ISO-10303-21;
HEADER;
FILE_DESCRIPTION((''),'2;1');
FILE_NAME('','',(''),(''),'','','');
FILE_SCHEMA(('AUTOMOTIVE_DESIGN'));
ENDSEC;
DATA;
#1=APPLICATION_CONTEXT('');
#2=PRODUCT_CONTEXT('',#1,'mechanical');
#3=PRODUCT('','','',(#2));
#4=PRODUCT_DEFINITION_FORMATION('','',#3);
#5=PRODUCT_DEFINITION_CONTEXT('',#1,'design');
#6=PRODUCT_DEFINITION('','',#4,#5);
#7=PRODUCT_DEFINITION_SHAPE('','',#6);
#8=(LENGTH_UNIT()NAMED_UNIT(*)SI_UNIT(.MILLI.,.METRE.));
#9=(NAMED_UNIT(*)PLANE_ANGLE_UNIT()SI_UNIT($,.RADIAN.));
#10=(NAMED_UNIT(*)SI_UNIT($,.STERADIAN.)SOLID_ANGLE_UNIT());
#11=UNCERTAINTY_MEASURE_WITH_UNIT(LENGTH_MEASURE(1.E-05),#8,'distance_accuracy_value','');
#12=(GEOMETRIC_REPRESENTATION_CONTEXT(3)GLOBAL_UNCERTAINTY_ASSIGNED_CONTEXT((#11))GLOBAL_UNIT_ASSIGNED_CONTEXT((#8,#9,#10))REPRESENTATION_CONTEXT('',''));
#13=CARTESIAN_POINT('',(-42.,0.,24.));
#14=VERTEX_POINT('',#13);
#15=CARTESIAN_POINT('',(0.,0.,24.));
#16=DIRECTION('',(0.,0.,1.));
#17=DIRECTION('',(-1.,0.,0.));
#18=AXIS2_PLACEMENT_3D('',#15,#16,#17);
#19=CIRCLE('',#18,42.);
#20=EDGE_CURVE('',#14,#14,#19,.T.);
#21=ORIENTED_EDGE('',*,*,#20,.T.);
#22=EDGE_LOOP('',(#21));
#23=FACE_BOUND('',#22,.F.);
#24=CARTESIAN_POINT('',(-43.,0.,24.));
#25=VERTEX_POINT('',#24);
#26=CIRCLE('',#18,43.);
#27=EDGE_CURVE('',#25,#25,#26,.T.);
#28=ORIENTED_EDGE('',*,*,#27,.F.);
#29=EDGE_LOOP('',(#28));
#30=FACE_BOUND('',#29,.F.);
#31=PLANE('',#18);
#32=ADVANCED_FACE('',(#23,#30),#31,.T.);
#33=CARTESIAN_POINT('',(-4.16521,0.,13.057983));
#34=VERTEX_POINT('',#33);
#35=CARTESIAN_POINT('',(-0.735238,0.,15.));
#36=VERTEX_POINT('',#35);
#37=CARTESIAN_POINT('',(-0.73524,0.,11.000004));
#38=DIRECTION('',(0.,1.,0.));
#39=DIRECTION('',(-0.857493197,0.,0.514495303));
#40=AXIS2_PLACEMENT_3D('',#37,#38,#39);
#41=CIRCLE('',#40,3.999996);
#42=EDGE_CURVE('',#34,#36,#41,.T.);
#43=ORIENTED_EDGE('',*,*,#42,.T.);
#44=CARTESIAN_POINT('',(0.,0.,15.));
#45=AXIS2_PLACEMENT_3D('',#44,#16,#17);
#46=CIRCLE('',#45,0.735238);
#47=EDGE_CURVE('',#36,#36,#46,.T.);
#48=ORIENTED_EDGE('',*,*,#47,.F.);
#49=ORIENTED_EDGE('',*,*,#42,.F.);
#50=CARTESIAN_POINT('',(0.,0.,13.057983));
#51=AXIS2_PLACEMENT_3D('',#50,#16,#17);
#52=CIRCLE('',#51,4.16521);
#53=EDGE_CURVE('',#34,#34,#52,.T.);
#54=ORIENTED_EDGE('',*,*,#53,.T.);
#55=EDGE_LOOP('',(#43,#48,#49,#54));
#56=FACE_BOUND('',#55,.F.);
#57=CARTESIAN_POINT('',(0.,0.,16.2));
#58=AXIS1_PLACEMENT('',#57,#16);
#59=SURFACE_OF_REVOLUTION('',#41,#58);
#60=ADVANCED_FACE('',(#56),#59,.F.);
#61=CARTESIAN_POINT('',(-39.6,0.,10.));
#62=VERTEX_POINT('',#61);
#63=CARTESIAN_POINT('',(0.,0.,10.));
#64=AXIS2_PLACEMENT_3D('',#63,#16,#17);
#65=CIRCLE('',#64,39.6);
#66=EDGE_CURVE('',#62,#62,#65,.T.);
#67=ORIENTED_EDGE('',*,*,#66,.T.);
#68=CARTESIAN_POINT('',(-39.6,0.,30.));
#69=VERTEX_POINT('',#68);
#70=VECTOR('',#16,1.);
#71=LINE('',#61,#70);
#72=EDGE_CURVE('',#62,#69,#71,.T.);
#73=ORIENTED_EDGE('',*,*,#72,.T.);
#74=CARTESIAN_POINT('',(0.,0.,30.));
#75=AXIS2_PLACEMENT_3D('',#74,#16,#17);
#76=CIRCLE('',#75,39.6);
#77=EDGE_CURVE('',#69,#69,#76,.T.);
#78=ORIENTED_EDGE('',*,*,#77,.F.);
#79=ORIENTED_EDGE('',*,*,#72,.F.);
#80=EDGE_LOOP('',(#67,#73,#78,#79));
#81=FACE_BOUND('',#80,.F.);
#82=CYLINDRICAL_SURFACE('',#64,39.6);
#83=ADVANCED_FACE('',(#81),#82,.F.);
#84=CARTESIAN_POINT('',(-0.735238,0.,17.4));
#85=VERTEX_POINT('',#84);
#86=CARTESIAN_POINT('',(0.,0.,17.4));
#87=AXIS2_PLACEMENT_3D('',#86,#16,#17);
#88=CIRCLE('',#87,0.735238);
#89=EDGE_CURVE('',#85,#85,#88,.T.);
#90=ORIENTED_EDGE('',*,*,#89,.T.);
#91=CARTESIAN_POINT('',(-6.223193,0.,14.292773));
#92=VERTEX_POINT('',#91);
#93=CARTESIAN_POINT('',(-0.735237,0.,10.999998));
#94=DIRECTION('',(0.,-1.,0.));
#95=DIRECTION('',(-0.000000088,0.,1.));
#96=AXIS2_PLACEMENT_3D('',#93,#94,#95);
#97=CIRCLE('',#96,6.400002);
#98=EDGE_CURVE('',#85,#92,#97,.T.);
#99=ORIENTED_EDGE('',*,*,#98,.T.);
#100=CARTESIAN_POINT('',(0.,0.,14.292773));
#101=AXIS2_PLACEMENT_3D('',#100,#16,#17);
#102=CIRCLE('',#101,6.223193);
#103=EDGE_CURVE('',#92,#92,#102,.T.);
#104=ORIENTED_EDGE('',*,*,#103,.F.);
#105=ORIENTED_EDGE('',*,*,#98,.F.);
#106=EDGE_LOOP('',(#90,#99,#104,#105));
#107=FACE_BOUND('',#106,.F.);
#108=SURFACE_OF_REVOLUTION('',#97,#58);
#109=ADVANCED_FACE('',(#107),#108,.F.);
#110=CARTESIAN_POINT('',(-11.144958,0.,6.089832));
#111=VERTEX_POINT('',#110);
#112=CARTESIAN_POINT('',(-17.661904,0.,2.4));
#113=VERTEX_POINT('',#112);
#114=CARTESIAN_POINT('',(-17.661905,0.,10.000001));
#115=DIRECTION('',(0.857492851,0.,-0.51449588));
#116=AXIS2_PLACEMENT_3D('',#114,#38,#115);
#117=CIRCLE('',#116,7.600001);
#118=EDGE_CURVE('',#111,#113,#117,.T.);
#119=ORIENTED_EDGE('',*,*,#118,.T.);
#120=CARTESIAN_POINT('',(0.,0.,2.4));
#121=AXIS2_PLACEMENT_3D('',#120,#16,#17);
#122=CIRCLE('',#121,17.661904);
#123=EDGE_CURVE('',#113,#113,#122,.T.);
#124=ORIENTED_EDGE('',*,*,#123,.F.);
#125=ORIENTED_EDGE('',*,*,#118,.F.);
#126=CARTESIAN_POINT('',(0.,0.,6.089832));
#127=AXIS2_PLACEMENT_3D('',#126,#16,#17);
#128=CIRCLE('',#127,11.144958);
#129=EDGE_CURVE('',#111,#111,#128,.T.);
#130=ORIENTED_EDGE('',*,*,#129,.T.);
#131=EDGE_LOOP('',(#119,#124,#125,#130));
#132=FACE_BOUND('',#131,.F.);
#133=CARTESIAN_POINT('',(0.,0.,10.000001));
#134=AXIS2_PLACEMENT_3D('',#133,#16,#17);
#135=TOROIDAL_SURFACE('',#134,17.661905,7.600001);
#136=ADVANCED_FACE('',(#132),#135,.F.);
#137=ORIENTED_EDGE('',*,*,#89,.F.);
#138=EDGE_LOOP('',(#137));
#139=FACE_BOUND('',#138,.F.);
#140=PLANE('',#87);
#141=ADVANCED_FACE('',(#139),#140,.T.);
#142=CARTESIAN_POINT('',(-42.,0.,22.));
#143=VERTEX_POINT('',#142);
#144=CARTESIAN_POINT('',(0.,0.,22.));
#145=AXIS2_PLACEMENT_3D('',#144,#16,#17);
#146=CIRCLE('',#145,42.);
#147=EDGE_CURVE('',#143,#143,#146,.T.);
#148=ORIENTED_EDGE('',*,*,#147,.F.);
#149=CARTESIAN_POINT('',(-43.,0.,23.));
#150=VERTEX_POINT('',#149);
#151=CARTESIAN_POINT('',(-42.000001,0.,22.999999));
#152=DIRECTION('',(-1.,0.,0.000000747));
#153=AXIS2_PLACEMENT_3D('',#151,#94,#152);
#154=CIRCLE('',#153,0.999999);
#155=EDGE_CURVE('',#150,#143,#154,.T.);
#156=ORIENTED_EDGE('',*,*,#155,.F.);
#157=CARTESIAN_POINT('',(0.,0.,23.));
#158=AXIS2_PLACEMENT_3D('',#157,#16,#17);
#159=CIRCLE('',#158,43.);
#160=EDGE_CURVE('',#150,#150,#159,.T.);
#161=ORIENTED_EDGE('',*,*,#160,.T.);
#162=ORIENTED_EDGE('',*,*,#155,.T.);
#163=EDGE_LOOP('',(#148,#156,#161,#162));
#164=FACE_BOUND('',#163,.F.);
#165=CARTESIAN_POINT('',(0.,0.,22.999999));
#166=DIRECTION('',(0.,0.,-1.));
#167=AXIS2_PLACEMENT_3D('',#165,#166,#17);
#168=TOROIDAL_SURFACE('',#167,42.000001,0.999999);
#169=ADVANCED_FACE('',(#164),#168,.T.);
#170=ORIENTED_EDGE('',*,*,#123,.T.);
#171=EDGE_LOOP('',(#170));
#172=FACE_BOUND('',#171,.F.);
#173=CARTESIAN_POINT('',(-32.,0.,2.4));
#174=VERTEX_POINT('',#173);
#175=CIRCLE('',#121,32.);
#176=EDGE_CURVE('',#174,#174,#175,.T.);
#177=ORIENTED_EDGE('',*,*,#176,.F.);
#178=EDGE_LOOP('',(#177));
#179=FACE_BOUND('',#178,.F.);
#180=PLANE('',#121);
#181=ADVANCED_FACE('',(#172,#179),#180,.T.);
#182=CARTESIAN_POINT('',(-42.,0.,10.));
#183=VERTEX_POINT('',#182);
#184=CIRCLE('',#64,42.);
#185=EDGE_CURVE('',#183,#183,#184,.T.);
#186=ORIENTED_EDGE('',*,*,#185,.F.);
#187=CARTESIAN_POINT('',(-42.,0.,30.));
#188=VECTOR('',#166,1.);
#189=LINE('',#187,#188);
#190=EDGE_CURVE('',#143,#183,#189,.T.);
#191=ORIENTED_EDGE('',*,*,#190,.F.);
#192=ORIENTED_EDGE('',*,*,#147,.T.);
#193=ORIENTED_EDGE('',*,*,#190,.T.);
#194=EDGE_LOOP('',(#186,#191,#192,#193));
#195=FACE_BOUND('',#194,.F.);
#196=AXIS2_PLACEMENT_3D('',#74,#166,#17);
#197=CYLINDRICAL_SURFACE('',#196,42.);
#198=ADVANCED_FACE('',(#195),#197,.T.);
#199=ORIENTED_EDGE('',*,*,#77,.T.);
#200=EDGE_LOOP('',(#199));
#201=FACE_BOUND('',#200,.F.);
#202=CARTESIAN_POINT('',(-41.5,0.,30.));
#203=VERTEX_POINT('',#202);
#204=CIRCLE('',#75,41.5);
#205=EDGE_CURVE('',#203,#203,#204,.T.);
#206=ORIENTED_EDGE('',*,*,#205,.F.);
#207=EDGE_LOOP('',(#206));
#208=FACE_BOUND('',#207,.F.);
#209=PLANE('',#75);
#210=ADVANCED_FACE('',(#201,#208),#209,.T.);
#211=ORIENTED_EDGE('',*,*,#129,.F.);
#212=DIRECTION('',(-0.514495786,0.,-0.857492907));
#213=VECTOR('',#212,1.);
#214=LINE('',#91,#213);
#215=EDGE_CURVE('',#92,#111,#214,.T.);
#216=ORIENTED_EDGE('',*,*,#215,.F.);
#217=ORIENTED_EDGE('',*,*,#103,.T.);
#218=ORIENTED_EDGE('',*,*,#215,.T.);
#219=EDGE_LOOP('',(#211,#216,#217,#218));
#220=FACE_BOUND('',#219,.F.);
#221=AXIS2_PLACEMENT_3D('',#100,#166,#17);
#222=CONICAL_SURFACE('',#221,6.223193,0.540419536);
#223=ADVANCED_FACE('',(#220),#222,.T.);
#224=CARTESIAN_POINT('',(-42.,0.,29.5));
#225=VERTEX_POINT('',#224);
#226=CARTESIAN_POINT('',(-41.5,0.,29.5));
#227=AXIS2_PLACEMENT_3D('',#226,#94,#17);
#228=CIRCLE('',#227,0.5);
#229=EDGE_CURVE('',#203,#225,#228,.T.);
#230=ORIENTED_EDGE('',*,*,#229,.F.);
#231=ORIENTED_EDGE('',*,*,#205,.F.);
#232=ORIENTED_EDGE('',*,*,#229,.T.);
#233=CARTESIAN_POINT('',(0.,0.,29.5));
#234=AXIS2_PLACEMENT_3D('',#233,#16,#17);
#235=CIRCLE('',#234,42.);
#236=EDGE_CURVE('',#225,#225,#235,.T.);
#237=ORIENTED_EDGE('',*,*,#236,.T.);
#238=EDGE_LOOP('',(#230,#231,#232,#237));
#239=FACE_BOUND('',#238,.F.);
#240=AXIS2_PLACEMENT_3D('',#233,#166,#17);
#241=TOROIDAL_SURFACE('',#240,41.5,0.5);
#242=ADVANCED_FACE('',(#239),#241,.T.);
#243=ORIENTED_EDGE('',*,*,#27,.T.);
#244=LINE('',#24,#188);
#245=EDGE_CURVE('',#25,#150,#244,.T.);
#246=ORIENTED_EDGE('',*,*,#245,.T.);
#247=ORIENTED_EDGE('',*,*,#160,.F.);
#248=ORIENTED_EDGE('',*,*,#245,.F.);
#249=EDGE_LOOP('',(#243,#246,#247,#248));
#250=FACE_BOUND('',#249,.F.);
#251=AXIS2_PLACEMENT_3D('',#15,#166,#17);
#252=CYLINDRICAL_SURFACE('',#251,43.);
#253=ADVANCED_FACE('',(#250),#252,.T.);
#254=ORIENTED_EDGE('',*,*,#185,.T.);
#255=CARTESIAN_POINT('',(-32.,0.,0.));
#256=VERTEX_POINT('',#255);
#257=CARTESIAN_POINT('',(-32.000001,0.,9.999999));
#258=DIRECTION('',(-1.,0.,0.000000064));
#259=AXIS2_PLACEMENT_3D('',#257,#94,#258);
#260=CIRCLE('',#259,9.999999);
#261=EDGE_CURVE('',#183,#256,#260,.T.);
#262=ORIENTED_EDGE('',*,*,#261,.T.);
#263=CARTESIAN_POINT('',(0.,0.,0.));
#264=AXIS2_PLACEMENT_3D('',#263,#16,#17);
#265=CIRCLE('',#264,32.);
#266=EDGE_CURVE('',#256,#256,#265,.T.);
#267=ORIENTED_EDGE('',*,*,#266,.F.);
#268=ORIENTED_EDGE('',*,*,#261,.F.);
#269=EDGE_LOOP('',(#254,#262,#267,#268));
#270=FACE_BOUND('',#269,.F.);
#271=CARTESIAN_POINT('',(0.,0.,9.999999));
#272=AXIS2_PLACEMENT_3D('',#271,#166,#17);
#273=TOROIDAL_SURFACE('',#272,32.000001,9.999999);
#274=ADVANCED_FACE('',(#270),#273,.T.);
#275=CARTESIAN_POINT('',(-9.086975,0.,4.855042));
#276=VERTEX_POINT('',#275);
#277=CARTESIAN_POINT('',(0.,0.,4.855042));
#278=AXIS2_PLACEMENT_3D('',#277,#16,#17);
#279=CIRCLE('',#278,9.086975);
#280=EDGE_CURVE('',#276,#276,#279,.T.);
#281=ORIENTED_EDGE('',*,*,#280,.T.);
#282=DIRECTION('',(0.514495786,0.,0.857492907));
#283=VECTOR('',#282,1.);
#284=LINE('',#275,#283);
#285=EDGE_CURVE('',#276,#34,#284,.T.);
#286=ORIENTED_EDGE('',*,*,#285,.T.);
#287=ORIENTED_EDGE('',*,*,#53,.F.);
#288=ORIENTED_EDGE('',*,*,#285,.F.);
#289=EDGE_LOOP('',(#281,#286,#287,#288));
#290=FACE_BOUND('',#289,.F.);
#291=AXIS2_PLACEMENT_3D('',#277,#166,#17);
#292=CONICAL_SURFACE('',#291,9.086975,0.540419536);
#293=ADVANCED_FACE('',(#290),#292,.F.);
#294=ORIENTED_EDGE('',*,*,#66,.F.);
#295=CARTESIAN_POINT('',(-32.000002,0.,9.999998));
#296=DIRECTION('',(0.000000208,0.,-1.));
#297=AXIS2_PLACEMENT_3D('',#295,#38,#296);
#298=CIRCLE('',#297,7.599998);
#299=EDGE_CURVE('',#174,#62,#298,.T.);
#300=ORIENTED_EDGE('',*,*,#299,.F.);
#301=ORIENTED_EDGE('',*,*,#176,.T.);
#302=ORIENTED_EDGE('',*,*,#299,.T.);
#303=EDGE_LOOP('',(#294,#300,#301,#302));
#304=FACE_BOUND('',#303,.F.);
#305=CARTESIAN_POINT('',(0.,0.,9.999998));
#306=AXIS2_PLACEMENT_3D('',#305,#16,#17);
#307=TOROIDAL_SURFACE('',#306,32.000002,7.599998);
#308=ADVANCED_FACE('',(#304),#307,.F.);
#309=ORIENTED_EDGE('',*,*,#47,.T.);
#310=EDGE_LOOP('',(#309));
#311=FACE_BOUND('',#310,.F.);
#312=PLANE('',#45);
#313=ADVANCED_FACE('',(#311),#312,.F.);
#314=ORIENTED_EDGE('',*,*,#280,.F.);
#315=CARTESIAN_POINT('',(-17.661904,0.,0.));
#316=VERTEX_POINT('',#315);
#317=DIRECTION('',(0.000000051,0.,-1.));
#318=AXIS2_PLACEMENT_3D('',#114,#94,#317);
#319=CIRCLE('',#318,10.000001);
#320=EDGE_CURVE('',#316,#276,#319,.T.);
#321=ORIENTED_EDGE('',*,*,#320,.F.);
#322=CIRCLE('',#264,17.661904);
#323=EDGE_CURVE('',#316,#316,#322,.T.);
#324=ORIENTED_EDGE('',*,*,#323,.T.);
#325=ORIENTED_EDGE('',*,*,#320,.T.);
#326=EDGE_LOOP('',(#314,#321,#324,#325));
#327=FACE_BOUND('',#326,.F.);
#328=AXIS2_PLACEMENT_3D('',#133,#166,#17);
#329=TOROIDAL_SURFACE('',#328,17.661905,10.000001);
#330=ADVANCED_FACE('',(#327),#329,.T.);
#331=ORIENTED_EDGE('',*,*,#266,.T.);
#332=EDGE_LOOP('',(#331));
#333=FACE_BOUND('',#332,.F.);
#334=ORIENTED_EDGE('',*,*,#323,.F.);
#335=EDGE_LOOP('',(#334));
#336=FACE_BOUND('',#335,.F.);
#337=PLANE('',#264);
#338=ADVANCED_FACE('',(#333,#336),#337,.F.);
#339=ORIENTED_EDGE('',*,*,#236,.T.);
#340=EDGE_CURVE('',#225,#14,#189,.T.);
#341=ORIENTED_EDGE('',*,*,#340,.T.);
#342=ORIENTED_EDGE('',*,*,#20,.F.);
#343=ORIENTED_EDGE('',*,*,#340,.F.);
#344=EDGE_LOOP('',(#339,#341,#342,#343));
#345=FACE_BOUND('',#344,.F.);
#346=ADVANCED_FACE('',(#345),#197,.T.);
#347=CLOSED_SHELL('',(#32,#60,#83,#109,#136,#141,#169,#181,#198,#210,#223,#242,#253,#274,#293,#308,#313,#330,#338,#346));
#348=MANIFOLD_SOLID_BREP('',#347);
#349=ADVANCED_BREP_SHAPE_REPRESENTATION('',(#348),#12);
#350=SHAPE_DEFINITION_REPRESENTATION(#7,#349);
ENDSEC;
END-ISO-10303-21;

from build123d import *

# Parameters (mm, degrees)
F2_R = 0.5


with BuildPart() as f1:
    # F0 (on Front) → F1 (revolve)
    with BuildSketch(Plane.XZ):
        with BuildLine():
            Line((-0.735238, 15), (0, 15))
            Line((0, 15), (0, 17.4))
            Line((0, 17.4), (-0.735238, 17.4))
            ThreePointArc((-0.735238, 17.4), (-3.888511, 16.569279), (-6.223193, 14.292773))
            Line((-6.223193, 14.292773), (-11.144958, 6.089832))
            ThreePointArc((-11.144958, 6.089832), (-13.917393, 3.386481), (-17.661904, 2.4))
            Line((-17.661904, 2.4), (-32, 2.4))
            ThreePointArc((-32, 2.4), (-37.374012, 4.625988), (-39.6, 10))
            Line((-39.6, 10), (-39.6, 30))
            Line((-39.6, 30), (-42, 30))
            Line((-42, 30), (-42, 24))
            Line((-42, 24), (-42, 22))
            Line((-42, 22), (-42, 10))
            ThreePointArc((-42, 10), (-39.071068, 2.928932), (-32, 0))
            Line((-32, 0), (-17.661904, 0))
            ThreePointArc((-17.661904, 0), (-12.734916, 1.298001), (-9.086975, 4.855042))
            Line((-9.086975, 4.855042), (-4.16521, 13.057983))
            ThreePointArc((-4.16521, 13.057983), (-2.706034, 14.4808), (-0.735238, 15))
        make_face()
        with BuildLine():
            ThreePointArc((-43, 23), (-42.707107, 22.292893), (-42, 22))
            Line((-42, 22), (-42, 24))
            Line((-42, 24), (-43, 24))
            Line((-43, 24), (-43, 23))
        make_face()
    revolve(axis=Axis((0, 0, 16.2), (0, 0, 1)))

    # F2
    f2_edges = [f1.edges().sort_by_distance(p)[0] for p in [
        (42, 0, 30),
    ]]
    fillet(f2_edges, radius=F2_R)


solid = f1.part
